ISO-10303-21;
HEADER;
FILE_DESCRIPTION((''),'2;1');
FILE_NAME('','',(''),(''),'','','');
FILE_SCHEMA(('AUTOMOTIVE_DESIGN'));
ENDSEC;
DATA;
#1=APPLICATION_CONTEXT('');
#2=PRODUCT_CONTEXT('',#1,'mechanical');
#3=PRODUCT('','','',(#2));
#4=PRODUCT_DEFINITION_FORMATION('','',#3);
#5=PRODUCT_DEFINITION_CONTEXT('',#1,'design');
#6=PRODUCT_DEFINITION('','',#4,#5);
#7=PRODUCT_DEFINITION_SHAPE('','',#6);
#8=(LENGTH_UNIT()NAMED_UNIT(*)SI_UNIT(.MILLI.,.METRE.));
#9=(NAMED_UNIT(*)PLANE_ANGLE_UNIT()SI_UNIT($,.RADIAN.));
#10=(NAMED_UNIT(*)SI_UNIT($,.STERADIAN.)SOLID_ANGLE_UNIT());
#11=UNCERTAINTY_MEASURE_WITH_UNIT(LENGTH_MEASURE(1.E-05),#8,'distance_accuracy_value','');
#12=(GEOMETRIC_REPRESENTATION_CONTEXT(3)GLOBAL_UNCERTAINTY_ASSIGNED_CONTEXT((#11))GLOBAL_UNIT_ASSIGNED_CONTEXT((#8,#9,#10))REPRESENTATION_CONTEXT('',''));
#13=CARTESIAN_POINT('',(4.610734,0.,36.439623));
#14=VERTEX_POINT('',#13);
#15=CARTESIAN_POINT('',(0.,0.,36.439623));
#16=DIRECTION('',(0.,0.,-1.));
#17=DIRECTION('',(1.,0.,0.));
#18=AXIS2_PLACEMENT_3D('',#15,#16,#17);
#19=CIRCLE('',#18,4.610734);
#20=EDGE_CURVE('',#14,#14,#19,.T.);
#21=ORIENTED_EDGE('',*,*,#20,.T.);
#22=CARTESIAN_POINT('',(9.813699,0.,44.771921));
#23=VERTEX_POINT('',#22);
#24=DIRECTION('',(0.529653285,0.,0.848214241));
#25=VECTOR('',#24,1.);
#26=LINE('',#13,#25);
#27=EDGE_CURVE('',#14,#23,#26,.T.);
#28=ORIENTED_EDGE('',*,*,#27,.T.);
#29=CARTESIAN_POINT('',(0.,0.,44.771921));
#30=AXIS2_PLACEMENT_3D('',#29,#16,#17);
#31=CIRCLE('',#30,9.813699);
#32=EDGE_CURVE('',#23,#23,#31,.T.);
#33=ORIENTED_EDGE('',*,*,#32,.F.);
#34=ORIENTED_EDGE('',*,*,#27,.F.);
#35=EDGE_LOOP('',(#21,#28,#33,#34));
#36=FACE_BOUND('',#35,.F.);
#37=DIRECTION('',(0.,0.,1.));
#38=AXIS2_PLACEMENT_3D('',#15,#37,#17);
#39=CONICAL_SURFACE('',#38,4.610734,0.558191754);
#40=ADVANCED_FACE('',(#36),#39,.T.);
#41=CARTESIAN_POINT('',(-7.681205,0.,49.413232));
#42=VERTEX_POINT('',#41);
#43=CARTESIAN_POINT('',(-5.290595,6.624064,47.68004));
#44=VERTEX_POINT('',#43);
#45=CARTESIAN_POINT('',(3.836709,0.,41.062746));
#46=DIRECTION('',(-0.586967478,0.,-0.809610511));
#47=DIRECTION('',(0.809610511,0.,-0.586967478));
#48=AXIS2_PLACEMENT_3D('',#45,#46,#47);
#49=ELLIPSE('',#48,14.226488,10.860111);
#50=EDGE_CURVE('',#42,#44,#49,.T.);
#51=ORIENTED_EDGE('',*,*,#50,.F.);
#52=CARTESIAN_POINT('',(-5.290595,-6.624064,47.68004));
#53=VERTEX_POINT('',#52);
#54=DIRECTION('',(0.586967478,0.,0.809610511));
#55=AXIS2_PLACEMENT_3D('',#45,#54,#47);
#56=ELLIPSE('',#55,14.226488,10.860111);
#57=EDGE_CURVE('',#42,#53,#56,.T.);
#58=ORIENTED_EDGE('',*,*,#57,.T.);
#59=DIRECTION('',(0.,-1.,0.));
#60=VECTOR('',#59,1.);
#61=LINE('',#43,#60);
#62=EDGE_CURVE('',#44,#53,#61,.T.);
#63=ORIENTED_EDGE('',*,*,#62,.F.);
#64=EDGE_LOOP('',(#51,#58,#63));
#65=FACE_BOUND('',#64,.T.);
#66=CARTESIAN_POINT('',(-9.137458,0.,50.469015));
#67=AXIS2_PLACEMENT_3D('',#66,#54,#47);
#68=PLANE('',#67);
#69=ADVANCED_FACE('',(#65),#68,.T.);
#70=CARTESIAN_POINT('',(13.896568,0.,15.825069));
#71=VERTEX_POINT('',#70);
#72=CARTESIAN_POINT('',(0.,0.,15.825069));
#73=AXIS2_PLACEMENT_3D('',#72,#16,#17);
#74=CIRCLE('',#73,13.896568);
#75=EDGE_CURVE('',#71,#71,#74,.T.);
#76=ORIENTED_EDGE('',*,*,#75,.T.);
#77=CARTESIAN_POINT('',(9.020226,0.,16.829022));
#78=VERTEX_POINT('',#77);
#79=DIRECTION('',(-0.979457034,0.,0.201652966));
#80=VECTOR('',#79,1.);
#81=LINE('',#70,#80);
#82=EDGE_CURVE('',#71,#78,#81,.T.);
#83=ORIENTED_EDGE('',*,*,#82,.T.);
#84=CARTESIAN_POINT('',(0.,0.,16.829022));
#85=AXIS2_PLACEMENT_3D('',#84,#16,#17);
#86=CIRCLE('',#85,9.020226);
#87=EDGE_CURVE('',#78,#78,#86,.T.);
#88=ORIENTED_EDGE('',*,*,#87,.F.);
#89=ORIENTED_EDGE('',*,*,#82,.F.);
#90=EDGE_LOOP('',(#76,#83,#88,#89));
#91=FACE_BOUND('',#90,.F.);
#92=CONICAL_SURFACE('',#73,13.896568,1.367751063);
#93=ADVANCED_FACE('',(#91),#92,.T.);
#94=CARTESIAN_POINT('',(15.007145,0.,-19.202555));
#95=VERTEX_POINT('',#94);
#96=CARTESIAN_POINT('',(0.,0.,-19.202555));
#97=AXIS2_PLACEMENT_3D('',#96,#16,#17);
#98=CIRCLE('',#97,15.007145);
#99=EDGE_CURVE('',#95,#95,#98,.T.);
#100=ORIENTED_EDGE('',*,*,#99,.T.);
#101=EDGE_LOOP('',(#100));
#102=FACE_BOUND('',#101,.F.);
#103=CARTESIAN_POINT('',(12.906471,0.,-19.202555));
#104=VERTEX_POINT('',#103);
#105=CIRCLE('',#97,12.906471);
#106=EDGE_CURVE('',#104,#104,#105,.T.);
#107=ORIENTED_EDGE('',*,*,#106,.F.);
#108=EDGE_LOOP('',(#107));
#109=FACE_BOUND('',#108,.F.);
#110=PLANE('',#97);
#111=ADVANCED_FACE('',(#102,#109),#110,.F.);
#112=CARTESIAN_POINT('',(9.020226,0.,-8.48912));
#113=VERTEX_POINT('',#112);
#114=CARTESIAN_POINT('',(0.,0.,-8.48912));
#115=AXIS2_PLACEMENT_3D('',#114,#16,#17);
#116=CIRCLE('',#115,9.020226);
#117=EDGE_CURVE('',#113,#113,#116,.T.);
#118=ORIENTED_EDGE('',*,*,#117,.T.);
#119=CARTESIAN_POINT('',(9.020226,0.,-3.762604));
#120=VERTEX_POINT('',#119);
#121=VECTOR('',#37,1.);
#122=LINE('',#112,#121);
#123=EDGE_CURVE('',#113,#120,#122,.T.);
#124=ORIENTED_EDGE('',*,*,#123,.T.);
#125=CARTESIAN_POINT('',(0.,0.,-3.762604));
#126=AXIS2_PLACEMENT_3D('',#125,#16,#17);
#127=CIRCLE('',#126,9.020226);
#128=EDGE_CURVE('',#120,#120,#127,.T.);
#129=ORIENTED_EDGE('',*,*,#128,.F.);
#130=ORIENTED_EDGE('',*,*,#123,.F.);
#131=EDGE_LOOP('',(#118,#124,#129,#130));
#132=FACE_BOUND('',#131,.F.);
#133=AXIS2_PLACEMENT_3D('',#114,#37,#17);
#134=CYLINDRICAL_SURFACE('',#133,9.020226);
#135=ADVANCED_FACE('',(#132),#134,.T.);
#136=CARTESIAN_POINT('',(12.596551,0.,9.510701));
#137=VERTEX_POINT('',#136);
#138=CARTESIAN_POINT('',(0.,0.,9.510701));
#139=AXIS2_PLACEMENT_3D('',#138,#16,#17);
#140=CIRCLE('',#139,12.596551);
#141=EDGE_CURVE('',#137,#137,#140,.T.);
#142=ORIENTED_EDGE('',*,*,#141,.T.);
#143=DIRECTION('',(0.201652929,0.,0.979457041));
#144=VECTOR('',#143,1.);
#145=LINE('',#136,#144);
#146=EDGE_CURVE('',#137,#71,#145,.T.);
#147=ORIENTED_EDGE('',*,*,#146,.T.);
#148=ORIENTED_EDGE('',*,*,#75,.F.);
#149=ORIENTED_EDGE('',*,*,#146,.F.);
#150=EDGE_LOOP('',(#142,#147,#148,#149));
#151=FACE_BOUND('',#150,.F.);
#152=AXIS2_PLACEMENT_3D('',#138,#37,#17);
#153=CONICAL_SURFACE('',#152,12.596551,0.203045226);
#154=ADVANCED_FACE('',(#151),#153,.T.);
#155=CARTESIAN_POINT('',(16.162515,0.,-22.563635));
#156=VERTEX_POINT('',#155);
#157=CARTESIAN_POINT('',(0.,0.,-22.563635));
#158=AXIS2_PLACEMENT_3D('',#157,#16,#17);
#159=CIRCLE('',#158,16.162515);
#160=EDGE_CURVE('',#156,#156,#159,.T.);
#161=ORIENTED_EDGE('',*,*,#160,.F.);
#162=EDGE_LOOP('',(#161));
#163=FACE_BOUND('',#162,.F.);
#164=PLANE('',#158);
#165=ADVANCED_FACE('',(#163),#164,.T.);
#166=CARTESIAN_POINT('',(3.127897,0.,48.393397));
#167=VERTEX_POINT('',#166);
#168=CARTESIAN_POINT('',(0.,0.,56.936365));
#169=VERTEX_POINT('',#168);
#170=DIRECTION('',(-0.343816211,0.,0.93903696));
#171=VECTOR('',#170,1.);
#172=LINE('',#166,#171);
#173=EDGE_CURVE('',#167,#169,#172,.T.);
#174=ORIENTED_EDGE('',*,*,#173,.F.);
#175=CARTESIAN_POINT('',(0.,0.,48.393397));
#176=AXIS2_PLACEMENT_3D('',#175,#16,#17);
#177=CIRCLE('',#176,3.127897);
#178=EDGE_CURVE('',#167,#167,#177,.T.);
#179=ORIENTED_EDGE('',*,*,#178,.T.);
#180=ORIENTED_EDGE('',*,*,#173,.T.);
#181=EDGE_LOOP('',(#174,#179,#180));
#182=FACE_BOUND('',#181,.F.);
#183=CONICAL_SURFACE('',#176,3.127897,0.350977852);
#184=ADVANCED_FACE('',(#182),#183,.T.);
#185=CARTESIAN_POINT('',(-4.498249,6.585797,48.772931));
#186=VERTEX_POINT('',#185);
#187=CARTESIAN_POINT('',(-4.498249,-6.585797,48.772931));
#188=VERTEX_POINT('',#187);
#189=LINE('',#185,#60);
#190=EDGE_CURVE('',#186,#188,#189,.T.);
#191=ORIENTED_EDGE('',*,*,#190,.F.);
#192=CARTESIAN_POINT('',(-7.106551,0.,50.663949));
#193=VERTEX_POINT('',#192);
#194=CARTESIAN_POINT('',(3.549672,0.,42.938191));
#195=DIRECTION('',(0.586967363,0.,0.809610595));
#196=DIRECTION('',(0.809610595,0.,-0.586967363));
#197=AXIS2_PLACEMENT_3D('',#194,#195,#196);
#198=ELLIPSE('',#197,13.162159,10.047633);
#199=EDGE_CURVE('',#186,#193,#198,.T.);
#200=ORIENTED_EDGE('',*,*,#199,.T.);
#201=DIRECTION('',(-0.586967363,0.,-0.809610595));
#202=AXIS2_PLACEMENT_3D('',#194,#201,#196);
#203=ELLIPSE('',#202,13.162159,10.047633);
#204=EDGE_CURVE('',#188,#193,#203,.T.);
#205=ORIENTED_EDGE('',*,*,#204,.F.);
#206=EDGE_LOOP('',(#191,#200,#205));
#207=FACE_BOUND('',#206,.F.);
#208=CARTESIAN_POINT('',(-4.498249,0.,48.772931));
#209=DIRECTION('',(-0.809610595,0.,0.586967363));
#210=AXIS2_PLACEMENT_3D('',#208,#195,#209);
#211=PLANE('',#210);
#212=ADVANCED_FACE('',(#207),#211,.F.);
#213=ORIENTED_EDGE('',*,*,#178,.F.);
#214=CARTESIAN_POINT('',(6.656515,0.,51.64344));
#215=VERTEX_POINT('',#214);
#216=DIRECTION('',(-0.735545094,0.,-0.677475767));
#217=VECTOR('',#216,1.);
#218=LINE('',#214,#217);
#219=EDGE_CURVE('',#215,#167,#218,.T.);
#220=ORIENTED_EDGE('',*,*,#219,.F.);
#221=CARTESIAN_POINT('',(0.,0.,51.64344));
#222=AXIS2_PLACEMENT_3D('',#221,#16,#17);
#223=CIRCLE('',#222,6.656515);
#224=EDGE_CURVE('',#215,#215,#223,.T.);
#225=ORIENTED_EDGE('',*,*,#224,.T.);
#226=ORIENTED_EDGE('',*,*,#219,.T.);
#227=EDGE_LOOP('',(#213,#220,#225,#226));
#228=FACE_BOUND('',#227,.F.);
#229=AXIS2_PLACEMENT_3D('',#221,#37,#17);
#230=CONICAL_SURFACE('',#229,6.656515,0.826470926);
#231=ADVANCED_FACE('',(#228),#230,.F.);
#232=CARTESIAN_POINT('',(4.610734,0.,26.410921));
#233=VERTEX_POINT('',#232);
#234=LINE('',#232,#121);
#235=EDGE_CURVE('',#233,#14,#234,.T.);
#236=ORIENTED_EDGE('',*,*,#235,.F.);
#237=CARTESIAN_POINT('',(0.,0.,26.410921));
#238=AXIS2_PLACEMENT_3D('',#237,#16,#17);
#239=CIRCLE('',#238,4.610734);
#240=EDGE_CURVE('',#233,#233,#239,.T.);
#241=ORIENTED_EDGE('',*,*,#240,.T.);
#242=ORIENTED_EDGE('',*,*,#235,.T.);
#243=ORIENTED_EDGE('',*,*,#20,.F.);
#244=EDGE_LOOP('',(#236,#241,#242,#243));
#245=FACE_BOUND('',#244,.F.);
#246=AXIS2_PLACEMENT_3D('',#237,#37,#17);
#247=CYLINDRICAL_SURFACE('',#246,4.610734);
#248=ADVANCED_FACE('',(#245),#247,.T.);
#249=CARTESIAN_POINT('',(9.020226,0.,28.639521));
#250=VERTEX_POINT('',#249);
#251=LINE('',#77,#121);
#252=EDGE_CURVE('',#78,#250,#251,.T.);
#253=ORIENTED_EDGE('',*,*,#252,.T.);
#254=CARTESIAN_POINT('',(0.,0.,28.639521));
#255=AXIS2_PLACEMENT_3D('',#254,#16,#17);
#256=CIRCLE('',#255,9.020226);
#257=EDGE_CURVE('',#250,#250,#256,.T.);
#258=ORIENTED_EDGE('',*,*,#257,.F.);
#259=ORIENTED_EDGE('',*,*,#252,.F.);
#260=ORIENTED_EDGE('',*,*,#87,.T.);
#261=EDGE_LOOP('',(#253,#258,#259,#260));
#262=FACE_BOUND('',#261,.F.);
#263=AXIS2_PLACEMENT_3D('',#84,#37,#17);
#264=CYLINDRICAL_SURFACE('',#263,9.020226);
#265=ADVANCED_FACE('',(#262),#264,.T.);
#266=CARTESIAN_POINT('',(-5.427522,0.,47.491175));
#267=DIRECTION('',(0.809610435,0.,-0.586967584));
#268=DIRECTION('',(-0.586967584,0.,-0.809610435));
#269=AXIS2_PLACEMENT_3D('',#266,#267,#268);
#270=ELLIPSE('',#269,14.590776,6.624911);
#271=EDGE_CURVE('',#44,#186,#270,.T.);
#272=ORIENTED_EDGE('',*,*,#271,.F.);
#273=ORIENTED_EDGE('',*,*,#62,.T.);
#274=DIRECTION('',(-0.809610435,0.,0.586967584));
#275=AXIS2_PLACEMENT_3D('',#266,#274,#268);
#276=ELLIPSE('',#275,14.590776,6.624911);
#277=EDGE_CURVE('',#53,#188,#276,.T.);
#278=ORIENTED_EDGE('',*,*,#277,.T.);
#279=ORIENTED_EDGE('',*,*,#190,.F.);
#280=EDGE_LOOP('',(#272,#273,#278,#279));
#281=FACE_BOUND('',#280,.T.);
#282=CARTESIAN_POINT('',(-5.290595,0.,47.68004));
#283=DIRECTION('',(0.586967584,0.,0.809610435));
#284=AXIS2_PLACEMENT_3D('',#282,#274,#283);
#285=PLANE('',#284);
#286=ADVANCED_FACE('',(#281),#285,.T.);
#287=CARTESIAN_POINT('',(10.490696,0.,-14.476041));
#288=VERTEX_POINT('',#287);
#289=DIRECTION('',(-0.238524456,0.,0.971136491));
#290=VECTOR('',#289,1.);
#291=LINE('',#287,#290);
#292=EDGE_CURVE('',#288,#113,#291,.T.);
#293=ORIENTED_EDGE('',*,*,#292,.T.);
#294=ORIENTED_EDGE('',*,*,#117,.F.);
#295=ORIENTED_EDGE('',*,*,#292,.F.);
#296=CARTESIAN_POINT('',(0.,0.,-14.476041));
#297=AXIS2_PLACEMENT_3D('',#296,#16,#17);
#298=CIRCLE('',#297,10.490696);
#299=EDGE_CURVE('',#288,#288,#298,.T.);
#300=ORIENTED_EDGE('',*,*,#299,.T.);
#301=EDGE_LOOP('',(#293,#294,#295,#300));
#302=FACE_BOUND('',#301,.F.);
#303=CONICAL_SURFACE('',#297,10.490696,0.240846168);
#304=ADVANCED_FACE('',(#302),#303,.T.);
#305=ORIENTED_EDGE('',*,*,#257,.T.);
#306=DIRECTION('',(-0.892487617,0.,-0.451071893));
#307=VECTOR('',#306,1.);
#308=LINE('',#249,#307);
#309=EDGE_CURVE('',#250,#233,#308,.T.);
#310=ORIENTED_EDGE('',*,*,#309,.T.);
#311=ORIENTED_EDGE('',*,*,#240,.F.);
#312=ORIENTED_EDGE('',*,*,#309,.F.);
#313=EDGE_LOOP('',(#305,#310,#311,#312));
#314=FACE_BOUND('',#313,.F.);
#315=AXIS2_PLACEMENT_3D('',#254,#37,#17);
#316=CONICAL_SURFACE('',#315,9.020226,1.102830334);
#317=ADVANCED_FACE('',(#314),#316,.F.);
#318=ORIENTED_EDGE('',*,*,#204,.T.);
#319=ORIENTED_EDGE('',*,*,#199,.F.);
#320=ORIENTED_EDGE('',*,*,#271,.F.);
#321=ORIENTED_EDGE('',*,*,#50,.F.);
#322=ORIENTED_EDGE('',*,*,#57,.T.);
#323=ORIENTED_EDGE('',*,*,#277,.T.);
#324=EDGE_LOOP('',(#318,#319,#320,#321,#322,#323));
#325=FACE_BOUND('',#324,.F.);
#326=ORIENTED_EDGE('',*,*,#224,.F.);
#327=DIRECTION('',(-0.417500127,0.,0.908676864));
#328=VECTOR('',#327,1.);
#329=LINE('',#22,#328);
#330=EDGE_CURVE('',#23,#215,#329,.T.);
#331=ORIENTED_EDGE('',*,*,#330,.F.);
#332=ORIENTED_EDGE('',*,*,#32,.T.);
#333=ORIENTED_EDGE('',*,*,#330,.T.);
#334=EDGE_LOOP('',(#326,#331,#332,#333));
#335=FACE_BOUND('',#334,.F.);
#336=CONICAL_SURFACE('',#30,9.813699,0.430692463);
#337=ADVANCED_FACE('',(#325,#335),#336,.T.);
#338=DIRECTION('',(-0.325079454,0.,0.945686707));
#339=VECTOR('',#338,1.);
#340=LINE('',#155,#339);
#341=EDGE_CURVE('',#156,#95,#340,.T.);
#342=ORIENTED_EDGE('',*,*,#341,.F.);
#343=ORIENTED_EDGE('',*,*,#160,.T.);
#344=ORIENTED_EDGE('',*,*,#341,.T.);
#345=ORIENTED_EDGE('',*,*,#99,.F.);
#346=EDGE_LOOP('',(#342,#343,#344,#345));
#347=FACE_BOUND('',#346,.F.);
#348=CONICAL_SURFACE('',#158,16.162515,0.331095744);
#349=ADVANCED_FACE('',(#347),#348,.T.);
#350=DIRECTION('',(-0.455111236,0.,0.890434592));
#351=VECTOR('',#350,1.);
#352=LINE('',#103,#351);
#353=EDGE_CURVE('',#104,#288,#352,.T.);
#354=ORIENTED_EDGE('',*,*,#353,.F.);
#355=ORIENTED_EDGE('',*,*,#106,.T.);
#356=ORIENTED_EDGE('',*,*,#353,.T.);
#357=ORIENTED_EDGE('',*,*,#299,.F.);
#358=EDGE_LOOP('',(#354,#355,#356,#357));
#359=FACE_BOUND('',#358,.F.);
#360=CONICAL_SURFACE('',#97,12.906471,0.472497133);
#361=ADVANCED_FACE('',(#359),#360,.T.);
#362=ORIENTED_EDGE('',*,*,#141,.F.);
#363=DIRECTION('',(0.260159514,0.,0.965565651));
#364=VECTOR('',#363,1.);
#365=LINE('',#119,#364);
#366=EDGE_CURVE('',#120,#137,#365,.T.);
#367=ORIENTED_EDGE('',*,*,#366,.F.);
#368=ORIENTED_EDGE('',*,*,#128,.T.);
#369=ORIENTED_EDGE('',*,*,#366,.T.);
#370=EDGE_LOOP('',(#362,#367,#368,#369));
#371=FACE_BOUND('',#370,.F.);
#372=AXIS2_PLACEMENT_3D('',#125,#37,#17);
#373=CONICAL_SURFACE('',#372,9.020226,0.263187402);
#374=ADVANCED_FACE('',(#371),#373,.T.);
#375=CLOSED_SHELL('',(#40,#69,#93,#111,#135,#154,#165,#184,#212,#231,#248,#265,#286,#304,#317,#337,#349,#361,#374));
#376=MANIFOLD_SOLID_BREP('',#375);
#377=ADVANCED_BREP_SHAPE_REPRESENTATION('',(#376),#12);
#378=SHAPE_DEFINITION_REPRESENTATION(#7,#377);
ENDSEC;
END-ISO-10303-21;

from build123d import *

# Parameters (mm, degrees)
F3_DEPTH = 25
F4_DEPTH = 25


with BuildPart() as f1:
    # F0 (on Front) → F1 (revolve)
    with BuildSketch(Plane.XZ):
        Polygon((0, 27.977053), (0, -22.563635), (16.162515, -22.563635), (15.007145, -19.202555), (12.906471, -19.202555), (10.490696, -14.476041), (9.020226, -8.48912), (9.020226, -3.762604), (12.596551, 9.510701), (13.896568, 15.825069), (9.020226, 16.829022), (9.020226, 28.639521), (4.610734, 26.410921), (4.610734, 36.439623), (9.813699, 44.771921), (6.656515, 51.64344), (3.127897, 48.393397), (0, 56.936365), (0, 47.673344), (0, 47.410701), (0, 32.768778), align=None)
    revolve(axis=Axis((0, 0, 42.456709), (0, 0, -1)))

    # F2 (on Front) → F3 (cut)
    with BuildSketch(Plane.XZ):
        Polygon((-4.498249, 48.772931), (-8.376098, 51.58437), (-9.137458, 50.469015), (-5.290595, 47.68004), align=None)
    extrude(amount=-F3_DEPTH, mode=Mode.SUBTRACT)

    # F2 (on Front) → F4 (cut)
    with BuildSketch(Plane.XZ):
        Polygon((-4.498249, 48.772931), (-8.376098, 51.58437), (-9.137458, 50.469015), (-5.290595, 47.68004), align=None)
    extrude(amount=F4_DEPTH, mode=Mode.SUBTRACT)


solid = f1.part
